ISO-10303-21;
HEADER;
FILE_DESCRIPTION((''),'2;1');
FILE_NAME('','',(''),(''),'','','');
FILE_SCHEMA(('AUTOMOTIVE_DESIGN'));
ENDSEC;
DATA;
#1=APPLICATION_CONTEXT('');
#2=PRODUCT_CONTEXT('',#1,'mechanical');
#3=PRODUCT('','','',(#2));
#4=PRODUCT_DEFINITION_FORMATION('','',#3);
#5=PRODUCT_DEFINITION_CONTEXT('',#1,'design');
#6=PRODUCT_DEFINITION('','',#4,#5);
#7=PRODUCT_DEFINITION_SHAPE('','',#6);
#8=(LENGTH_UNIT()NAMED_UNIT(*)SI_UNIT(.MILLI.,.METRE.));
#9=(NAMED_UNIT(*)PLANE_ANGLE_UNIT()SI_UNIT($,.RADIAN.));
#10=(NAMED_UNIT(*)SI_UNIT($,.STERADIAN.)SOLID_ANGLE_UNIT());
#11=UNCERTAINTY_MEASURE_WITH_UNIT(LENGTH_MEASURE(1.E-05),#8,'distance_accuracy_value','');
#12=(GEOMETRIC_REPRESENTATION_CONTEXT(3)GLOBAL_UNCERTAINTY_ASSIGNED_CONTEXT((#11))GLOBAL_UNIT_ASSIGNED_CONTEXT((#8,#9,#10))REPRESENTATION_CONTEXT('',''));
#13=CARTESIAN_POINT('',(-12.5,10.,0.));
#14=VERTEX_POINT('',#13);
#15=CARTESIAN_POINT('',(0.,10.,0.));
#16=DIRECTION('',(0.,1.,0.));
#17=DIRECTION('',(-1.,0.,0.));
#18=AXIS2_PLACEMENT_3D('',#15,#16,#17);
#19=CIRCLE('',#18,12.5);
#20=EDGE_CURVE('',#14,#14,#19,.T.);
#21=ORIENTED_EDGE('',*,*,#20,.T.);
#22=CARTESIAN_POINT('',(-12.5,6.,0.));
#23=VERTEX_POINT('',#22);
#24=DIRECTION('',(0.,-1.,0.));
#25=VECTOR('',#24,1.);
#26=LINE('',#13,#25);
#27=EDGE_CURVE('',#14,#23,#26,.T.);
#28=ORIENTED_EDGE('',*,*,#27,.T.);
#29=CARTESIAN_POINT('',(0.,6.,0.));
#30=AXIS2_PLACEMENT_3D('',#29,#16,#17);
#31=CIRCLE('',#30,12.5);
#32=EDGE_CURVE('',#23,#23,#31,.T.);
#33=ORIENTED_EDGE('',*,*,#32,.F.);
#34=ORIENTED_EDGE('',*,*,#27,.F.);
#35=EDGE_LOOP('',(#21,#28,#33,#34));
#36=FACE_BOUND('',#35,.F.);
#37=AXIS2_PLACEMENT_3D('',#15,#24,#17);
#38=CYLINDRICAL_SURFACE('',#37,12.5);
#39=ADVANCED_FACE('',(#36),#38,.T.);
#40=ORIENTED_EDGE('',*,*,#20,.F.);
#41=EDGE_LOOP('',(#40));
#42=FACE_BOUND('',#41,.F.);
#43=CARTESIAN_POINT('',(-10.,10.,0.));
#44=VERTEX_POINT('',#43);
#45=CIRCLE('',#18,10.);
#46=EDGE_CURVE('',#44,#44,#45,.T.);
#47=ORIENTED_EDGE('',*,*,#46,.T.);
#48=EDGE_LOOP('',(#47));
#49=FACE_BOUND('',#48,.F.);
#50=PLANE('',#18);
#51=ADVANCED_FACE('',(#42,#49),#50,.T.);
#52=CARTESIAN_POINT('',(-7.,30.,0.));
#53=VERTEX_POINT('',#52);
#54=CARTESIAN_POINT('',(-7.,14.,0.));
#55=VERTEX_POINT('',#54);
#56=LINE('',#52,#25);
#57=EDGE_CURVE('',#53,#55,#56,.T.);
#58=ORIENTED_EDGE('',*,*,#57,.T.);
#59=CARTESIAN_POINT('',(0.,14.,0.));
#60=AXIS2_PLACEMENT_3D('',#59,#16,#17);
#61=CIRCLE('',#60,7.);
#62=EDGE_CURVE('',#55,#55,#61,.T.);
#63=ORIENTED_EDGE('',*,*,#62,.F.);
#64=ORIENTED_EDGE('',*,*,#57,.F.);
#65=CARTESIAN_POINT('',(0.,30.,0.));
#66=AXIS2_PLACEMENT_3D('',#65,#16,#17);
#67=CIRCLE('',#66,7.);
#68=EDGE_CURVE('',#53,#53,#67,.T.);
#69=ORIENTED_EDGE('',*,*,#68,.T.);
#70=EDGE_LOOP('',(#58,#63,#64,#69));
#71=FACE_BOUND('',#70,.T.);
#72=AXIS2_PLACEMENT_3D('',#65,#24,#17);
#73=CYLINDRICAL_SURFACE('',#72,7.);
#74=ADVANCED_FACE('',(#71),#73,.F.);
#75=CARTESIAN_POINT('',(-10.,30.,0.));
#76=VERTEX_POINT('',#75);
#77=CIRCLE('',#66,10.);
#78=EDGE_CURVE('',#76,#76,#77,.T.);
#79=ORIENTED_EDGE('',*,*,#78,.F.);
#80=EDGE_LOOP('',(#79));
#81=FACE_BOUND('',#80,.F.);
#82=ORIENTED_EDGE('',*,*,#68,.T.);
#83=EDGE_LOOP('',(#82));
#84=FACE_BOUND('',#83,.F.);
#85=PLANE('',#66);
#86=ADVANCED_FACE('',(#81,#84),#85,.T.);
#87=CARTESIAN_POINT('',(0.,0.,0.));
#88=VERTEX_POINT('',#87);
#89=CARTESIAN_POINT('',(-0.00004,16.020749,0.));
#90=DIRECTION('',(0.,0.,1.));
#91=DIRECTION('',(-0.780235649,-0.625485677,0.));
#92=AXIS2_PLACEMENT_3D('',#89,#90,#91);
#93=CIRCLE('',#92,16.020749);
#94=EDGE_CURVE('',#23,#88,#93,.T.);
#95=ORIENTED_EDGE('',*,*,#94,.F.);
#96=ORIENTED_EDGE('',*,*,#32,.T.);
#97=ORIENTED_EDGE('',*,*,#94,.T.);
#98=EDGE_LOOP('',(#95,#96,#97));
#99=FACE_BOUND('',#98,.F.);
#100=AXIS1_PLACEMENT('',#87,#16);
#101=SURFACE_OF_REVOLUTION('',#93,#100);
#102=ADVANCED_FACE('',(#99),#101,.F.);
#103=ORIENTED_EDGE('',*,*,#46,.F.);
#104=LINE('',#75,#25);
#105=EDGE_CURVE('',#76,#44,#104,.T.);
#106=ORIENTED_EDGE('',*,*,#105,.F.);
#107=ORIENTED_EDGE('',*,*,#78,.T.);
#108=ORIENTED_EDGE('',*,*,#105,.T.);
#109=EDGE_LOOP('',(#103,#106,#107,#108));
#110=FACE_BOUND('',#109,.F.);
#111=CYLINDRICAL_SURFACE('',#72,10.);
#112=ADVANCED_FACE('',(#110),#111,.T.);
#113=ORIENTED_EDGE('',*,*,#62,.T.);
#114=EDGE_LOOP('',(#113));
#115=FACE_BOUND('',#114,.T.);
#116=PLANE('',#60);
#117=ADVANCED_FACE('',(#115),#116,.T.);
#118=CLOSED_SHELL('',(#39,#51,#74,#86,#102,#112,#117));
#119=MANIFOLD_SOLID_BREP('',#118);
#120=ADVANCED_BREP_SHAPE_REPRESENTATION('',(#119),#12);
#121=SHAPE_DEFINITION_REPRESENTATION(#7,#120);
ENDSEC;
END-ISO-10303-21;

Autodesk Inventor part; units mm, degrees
ref_plane "YZ Plane" through (0, 0, 0) normal (1, 0, 0) x (0, 1, 0)
ref_plane "XZ Plane" through (0, 0, 0) normal (0, 1, 0) x (-1, 0, 0)
ref_plane "XY Plane" through (0, 0, 0) normal (0, 0, 1) x (1, 0, 0)
sketch "Sketch1" plane through (0, 0, 0) normal (0, 0, 1) x (1, 0, 0)
  line L0 (0, 0) -> (0, 30)
  line L1 (0, 30) -> (-10, 30)
  line L2 (-10, 30) -> (-10, 10)
  line L3 (-10, 10) -> (-12.5, 10)
  line L4 (-12.5, 10) -> (-12.5, 6)
  arc A0 (-12.5, 6) -> (0, 0) centre (0, 16.0208) ccw
  line L5 (0, 30) -> (-7, 30)
  line L6 (-7, 30) -> (-7, 14)
  line L7 (-7, 14) -> (0, 14)
  line L8 (0, 14) -> (0, 30)
  point P0 (0, 14)
  dimension "d0" = 30
  dimension "d1" = 20
  dimension "d2" = 25
  dimension "d3" = 6
  dimension "d4" = 10
  dimension "d5" = 3
  dimension "d6" = 16
revolve "Revolution1" add sketch "Sketch1" angle 360 about axis through (0, 0, 0) along (0, 1, 0) contours A0 L4 L3 L2 L1 L6 L7 L0
properties part number "Filler Cap" material "Nylon, molybdenum disulphide"
